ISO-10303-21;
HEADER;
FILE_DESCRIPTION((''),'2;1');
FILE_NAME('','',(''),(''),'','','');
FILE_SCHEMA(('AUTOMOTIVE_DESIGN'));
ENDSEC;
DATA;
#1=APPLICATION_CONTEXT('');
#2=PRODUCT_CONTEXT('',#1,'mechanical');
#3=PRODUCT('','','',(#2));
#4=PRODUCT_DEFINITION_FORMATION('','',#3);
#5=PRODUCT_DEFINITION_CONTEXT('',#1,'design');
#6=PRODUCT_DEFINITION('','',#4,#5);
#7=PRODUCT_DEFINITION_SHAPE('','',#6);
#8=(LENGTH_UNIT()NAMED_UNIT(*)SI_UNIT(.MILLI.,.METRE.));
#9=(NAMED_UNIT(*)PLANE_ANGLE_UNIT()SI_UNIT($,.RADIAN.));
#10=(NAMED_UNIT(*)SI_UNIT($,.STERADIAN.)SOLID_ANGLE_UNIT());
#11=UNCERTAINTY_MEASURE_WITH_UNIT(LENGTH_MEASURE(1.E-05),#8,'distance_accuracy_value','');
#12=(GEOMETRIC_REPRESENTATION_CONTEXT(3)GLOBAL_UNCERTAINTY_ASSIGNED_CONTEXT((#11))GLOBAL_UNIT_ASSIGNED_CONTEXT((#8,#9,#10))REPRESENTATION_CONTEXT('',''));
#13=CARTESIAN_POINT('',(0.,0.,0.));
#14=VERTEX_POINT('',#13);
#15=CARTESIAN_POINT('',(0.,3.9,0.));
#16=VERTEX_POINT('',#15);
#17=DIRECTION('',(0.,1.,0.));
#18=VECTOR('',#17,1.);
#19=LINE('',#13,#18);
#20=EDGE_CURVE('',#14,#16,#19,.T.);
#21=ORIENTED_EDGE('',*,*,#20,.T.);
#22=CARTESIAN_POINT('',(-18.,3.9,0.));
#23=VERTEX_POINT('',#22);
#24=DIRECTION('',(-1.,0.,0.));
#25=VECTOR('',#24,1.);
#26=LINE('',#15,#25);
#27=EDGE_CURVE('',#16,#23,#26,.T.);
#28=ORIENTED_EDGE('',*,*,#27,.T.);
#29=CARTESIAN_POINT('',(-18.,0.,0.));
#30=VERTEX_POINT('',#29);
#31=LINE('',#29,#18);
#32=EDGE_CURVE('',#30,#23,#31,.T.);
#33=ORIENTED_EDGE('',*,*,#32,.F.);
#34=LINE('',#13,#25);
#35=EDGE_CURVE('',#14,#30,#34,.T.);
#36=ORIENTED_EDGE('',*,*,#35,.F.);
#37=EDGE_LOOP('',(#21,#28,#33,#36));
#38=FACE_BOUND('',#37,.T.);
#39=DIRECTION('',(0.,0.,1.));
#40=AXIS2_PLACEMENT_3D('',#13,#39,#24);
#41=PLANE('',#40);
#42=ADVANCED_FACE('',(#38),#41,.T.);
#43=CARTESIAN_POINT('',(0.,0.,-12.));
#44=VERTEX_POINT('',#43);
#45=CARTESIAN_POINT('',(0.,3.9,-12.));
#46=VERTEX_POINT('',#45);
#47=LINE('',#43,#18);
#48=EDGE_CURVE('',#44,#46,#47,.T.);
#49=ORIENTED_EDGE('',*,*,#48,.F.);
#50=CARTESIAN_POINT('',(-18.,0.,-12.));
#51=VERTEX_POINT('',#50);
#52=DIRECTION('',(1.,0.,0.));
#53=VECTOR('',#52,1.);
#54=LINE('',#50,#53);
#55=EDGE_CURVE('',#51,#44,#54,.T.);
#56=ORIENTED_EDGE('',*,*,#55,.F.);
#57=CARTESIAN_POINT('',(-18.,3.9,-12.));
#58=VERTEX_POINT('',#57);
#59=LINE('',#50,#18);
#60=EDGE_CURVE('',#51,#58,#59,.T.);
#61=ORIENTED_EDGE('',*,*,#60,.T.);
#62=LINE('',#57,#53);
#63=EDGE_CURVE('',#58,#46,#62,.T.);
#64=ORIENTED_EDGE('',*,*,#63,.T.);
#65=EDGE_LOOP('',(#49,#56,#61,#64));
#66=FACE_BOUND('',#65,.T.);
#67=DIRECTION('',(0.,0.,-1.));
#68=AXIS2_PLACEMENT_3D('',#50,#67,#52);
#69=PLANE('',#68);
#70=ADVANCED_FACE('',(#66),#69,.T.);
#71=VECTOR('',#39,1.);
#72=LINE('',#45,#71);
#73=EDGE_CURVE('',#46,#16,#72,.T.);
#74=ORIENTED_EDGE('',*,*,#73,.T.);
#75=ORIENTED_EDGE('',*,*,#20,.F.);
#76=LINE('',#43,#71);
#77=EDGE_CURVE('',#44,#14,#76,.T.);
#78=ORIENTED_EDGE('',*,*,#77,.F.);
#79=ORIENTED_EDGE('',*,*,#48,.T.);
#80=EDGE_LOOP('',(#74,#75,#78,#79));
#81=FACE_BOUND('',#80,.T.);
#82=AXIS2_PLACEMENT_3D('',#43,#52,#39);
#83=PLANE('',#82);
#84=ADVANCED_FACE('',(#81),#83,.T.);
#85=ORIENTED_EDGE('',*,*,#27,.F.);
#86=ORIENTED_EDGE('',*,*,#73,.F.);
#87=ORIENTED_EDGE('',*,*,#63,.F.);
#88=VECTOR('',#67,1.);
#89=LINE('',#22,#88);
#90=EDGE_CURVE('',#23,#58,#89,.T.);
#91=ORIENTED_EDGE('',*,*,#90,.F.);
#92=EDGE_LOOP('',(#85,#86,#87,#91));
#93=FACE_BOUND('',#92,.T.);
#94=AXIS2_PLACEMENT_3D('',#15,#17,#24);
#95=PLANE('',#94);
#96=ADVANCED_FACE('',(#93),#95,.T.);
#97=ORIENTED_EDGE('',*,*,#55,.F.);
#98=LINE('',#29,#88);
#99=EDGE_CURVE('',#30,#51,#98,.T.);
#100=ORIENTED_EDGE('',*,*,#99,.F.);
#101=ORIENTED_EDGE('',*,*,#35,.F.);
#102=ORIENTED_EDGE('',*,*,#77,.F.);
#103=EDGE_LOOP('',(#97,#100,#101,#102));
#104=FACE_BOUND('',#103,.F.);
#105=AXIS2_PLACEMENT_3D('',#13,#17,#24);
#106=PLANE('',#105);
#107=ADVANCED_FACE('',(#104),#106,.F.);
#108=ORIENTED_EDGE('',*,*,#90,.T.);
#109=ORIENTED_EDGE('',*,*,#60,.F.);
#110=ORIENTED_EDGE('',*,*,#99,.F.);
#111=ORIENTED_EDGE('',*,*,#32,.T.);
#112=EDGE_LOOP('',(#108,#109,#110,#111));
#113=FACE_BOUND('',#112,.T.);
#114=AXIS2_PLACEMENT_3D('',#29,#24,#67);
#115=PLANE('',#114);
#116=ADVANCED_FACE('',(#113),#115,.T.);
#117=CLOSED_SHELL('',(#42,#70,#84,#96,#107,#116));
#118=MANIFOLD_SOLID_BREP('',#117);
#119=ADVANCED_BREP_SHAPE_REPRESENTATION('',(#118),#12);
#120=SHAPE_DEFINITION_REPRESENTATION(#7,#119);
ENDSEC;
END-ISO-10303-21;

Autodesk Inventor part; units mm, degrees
ref_plane "YZ Plane" through (0, 0, 0) normal (1, 0, 0) x (0, 1, 0)
ref_plane "XZ Plane" through (0, 0, 0) normal (0, 1, 0) x (-1, 0, 0)
ref_plane "XY Plane" through (0, 0, 0) normal (0, 0, 1) x (1, 0, 0)
sketch "Sketch1" plane through (0, 0, 0) normal (0, 1, 0) x (-1, 0, 0)
  line L0 (0, 0) -> (18, 0)
  line L1 (18, 0) -> (18, -12)
  line L2 (18, -12) -> (0, -12)
  line L3 (0, -12) -> (0, 0)
  dimension "d0" = 18
  dimension "d1" = 12
extrude "Extrusion1" add sketch "Sketch1" along normal blind 3.9
properties part number "shim_4mm"
